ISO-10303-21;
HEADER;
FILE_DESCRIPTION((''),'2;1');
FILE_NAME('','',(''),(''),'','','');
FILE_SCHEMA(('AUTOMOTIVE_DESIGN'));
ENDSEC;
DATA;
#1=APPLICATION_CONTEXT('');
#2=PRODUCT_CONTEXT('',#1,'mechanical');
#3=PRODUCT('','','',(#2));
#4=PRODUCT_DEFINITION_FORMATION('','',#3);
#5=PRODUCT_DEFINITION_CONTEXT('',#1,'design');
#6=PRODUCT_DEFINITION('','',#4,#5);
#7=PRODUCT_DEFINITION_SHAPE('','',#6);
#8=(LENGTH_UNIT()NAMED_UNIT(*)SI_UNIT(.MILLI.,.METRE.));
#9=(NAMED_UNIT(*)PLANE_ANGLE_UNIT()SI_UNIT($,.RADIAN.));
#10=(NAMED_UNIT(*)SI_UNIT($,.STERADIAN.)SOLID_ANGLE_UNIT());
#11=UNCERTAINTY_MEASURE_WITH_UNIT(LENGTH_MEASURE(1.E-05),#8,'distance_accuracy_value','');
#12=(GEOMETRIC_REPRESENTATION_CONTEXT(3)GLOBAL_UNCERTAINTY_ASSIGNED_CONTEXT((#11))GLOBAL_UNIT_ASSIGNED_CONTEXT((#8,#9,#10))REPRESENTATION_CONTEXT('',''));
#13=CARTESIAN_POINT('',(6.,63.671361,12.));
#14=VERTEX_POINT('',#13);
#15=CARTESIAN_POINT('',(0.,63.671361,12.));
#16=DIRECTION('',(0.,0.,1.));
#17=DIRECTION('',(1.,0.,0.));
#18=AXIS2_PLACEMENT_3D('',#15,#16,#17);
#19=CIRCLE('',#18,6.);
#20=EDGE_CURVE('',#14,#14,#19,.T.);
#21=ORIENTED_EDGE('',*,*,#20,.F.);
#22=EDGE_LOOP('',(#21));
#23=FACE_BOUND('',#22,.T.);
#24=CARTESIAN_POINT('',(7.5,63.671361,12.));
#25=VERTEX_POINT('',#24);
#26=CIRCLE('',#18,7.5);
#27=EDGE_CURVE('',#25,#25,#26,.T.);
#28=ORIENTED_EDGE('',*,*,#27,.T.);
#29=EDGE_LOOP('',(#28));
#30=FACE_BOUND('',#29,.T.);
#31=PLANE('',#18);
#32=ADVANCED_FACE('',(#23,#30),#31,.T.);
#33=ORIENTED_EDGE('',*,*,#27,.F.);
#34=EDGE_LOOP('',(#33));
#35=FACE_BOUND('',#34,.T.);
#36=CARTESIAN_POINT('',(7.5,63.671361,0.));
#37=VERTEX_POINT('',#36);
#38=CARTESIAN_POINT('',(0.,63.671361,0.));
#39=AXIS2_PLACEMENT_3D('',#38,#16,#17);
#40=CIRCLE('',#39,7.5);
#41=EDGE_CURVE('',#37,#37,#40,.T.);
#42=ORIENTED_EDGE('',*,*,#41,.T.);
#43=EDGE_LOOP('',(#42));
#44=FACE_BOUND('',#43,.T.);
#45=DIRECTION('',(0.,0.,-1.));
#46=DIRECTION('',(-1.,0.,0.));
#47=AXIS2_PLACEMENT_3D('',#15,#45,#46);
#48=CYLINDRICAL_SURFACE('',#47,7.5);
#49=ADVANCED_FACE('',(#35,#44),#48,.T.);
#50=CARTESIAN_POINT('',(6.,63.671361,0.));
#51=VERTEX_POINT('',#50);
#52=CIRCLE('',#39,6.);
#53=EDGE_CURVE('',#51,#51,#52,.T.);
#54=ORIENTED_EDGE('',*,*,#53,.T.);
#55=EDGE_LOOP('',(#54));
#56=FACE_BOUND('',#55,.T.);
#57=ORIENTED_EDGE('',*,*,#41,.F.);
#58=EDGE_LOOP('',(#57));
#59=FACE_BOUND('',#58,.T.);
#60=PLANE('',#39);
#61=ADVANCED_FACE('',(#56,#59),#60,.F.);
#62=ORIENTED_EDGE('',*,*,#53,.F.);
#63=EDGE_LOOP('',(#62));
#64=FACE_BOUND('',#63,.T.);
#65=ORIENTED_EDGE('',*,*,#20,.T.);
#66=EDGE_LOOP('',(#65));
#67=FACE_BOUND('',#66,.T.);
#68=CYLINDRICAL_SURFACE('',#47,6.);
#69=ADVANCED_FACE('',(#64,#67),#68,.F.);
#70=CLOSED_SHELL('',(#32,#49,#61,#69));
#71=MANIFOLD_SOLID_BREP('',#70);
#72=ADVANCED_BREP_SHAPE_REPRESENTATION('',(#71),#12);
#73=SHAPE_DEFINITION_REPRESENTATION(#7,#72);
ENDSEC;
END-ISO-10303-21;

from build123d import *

# Parameters (mm, degrees)
ESQUISSE1_R      = 7.5
ESQUISSE1_R_2    = 6
EXTRUSION1_DEPTH = 12


with BuildPart() as part:
    # Esquisse1 → Extrusion1 (new body)
    with BuildSketch(Plane.XY):
        with Locations((0, 63.671361037)):
            Circle(ESQUISSE1_R)
        with Locations((0, 63.671361037)):
            Circle(ESQUISSE1_R_2, mode=Mode.SUBTRACT)
    extrude(amount=EXTRUSION1_DEPTH)


solid = part.part
